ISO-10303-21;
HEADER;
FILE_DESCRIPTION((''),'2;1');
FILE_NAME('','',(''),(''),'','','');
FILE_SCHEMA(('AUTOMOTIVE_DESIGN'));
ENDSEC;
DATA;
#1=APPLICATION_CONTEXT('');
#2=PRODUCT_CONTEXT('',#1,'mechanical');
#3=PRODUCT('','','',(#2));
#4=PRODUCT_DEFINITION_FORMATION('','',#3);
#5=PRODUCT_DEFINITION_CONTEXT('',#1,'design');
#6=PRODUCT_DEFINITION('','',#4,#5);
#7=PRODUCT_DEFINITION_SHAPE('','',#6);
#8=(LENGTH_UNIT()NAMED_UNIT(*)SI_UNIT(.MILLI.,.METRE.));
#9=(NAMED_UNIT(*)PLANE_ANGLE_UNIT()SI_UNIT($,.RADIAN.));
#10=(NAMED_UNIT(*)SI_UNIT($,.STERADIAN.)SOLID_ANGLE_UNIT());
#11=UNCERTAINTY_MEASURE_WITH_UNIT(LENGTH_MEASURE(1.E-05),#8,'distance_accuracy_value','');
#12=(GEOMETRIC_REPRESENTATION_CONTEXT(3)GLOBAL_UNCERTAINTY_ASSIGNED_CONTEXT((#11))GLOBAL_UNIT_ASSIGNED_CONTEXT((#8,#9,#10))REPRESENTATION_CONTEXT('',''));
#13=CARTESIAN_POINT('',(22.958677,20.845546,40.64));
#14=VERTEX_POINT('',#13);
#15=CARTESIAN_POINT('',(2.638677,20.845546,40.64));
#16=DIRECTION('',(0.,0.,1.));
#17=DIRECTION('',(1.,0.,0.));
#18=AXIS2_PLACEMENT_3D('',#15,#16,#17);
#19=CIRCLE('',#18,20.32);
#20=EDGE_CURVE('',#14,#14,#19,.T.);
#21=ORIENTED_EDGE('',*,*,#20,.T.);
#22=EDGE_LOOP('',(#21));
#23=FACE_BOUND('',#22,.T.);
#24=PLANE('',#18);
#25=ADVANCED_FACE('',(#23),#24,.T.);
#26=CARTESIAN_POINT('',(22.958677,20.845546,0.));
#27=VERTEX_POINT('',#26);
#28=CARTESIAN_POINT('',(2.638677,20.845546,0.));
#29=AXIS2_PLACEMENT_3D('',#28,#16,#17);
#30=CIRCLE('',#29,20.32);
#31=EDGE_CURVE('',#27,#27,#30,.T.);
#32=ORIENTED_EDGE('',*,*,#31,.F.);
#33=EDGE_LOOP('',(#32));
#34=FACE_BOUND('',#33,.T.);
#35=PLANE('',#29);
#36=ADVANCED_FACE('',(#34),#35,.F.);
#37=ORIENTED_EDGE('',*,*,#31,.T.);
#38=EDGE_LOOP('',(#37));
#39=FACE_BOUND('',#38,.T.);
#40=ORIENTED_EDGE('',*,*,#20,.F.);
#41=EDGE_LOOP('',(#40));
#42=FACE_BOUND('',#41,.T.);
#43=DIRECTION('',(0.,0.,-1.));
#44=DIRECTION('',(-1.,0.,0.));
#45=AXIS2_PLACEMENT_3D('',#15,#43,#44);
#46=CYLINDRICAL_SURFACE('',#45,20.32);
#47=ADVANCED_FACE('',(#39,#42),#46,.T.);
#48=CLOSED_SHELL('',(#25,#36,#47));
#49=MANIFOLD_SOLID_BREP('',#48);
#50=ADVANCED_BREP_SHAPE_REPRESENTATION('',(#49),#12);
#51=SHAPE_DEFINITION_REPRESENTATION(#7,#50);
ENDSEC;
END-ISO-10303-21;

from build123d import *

# Parameters (mm, degrees)
SKETCH1_R           = 20.32
BOSS_EXTRUDE2_DEPTH = 40.64


with BuildPart() as part:
    # Sketch1 → Boss-Extrude2 (new body)
    with BuildSketch(Plane.XY):
        with Locations((2.638676679, 20.845545765)):
            Circle(SKETCH1_R)
    extrude(amount=BOSS_EXTRUDE2_DEPTH)


solid = part.part
